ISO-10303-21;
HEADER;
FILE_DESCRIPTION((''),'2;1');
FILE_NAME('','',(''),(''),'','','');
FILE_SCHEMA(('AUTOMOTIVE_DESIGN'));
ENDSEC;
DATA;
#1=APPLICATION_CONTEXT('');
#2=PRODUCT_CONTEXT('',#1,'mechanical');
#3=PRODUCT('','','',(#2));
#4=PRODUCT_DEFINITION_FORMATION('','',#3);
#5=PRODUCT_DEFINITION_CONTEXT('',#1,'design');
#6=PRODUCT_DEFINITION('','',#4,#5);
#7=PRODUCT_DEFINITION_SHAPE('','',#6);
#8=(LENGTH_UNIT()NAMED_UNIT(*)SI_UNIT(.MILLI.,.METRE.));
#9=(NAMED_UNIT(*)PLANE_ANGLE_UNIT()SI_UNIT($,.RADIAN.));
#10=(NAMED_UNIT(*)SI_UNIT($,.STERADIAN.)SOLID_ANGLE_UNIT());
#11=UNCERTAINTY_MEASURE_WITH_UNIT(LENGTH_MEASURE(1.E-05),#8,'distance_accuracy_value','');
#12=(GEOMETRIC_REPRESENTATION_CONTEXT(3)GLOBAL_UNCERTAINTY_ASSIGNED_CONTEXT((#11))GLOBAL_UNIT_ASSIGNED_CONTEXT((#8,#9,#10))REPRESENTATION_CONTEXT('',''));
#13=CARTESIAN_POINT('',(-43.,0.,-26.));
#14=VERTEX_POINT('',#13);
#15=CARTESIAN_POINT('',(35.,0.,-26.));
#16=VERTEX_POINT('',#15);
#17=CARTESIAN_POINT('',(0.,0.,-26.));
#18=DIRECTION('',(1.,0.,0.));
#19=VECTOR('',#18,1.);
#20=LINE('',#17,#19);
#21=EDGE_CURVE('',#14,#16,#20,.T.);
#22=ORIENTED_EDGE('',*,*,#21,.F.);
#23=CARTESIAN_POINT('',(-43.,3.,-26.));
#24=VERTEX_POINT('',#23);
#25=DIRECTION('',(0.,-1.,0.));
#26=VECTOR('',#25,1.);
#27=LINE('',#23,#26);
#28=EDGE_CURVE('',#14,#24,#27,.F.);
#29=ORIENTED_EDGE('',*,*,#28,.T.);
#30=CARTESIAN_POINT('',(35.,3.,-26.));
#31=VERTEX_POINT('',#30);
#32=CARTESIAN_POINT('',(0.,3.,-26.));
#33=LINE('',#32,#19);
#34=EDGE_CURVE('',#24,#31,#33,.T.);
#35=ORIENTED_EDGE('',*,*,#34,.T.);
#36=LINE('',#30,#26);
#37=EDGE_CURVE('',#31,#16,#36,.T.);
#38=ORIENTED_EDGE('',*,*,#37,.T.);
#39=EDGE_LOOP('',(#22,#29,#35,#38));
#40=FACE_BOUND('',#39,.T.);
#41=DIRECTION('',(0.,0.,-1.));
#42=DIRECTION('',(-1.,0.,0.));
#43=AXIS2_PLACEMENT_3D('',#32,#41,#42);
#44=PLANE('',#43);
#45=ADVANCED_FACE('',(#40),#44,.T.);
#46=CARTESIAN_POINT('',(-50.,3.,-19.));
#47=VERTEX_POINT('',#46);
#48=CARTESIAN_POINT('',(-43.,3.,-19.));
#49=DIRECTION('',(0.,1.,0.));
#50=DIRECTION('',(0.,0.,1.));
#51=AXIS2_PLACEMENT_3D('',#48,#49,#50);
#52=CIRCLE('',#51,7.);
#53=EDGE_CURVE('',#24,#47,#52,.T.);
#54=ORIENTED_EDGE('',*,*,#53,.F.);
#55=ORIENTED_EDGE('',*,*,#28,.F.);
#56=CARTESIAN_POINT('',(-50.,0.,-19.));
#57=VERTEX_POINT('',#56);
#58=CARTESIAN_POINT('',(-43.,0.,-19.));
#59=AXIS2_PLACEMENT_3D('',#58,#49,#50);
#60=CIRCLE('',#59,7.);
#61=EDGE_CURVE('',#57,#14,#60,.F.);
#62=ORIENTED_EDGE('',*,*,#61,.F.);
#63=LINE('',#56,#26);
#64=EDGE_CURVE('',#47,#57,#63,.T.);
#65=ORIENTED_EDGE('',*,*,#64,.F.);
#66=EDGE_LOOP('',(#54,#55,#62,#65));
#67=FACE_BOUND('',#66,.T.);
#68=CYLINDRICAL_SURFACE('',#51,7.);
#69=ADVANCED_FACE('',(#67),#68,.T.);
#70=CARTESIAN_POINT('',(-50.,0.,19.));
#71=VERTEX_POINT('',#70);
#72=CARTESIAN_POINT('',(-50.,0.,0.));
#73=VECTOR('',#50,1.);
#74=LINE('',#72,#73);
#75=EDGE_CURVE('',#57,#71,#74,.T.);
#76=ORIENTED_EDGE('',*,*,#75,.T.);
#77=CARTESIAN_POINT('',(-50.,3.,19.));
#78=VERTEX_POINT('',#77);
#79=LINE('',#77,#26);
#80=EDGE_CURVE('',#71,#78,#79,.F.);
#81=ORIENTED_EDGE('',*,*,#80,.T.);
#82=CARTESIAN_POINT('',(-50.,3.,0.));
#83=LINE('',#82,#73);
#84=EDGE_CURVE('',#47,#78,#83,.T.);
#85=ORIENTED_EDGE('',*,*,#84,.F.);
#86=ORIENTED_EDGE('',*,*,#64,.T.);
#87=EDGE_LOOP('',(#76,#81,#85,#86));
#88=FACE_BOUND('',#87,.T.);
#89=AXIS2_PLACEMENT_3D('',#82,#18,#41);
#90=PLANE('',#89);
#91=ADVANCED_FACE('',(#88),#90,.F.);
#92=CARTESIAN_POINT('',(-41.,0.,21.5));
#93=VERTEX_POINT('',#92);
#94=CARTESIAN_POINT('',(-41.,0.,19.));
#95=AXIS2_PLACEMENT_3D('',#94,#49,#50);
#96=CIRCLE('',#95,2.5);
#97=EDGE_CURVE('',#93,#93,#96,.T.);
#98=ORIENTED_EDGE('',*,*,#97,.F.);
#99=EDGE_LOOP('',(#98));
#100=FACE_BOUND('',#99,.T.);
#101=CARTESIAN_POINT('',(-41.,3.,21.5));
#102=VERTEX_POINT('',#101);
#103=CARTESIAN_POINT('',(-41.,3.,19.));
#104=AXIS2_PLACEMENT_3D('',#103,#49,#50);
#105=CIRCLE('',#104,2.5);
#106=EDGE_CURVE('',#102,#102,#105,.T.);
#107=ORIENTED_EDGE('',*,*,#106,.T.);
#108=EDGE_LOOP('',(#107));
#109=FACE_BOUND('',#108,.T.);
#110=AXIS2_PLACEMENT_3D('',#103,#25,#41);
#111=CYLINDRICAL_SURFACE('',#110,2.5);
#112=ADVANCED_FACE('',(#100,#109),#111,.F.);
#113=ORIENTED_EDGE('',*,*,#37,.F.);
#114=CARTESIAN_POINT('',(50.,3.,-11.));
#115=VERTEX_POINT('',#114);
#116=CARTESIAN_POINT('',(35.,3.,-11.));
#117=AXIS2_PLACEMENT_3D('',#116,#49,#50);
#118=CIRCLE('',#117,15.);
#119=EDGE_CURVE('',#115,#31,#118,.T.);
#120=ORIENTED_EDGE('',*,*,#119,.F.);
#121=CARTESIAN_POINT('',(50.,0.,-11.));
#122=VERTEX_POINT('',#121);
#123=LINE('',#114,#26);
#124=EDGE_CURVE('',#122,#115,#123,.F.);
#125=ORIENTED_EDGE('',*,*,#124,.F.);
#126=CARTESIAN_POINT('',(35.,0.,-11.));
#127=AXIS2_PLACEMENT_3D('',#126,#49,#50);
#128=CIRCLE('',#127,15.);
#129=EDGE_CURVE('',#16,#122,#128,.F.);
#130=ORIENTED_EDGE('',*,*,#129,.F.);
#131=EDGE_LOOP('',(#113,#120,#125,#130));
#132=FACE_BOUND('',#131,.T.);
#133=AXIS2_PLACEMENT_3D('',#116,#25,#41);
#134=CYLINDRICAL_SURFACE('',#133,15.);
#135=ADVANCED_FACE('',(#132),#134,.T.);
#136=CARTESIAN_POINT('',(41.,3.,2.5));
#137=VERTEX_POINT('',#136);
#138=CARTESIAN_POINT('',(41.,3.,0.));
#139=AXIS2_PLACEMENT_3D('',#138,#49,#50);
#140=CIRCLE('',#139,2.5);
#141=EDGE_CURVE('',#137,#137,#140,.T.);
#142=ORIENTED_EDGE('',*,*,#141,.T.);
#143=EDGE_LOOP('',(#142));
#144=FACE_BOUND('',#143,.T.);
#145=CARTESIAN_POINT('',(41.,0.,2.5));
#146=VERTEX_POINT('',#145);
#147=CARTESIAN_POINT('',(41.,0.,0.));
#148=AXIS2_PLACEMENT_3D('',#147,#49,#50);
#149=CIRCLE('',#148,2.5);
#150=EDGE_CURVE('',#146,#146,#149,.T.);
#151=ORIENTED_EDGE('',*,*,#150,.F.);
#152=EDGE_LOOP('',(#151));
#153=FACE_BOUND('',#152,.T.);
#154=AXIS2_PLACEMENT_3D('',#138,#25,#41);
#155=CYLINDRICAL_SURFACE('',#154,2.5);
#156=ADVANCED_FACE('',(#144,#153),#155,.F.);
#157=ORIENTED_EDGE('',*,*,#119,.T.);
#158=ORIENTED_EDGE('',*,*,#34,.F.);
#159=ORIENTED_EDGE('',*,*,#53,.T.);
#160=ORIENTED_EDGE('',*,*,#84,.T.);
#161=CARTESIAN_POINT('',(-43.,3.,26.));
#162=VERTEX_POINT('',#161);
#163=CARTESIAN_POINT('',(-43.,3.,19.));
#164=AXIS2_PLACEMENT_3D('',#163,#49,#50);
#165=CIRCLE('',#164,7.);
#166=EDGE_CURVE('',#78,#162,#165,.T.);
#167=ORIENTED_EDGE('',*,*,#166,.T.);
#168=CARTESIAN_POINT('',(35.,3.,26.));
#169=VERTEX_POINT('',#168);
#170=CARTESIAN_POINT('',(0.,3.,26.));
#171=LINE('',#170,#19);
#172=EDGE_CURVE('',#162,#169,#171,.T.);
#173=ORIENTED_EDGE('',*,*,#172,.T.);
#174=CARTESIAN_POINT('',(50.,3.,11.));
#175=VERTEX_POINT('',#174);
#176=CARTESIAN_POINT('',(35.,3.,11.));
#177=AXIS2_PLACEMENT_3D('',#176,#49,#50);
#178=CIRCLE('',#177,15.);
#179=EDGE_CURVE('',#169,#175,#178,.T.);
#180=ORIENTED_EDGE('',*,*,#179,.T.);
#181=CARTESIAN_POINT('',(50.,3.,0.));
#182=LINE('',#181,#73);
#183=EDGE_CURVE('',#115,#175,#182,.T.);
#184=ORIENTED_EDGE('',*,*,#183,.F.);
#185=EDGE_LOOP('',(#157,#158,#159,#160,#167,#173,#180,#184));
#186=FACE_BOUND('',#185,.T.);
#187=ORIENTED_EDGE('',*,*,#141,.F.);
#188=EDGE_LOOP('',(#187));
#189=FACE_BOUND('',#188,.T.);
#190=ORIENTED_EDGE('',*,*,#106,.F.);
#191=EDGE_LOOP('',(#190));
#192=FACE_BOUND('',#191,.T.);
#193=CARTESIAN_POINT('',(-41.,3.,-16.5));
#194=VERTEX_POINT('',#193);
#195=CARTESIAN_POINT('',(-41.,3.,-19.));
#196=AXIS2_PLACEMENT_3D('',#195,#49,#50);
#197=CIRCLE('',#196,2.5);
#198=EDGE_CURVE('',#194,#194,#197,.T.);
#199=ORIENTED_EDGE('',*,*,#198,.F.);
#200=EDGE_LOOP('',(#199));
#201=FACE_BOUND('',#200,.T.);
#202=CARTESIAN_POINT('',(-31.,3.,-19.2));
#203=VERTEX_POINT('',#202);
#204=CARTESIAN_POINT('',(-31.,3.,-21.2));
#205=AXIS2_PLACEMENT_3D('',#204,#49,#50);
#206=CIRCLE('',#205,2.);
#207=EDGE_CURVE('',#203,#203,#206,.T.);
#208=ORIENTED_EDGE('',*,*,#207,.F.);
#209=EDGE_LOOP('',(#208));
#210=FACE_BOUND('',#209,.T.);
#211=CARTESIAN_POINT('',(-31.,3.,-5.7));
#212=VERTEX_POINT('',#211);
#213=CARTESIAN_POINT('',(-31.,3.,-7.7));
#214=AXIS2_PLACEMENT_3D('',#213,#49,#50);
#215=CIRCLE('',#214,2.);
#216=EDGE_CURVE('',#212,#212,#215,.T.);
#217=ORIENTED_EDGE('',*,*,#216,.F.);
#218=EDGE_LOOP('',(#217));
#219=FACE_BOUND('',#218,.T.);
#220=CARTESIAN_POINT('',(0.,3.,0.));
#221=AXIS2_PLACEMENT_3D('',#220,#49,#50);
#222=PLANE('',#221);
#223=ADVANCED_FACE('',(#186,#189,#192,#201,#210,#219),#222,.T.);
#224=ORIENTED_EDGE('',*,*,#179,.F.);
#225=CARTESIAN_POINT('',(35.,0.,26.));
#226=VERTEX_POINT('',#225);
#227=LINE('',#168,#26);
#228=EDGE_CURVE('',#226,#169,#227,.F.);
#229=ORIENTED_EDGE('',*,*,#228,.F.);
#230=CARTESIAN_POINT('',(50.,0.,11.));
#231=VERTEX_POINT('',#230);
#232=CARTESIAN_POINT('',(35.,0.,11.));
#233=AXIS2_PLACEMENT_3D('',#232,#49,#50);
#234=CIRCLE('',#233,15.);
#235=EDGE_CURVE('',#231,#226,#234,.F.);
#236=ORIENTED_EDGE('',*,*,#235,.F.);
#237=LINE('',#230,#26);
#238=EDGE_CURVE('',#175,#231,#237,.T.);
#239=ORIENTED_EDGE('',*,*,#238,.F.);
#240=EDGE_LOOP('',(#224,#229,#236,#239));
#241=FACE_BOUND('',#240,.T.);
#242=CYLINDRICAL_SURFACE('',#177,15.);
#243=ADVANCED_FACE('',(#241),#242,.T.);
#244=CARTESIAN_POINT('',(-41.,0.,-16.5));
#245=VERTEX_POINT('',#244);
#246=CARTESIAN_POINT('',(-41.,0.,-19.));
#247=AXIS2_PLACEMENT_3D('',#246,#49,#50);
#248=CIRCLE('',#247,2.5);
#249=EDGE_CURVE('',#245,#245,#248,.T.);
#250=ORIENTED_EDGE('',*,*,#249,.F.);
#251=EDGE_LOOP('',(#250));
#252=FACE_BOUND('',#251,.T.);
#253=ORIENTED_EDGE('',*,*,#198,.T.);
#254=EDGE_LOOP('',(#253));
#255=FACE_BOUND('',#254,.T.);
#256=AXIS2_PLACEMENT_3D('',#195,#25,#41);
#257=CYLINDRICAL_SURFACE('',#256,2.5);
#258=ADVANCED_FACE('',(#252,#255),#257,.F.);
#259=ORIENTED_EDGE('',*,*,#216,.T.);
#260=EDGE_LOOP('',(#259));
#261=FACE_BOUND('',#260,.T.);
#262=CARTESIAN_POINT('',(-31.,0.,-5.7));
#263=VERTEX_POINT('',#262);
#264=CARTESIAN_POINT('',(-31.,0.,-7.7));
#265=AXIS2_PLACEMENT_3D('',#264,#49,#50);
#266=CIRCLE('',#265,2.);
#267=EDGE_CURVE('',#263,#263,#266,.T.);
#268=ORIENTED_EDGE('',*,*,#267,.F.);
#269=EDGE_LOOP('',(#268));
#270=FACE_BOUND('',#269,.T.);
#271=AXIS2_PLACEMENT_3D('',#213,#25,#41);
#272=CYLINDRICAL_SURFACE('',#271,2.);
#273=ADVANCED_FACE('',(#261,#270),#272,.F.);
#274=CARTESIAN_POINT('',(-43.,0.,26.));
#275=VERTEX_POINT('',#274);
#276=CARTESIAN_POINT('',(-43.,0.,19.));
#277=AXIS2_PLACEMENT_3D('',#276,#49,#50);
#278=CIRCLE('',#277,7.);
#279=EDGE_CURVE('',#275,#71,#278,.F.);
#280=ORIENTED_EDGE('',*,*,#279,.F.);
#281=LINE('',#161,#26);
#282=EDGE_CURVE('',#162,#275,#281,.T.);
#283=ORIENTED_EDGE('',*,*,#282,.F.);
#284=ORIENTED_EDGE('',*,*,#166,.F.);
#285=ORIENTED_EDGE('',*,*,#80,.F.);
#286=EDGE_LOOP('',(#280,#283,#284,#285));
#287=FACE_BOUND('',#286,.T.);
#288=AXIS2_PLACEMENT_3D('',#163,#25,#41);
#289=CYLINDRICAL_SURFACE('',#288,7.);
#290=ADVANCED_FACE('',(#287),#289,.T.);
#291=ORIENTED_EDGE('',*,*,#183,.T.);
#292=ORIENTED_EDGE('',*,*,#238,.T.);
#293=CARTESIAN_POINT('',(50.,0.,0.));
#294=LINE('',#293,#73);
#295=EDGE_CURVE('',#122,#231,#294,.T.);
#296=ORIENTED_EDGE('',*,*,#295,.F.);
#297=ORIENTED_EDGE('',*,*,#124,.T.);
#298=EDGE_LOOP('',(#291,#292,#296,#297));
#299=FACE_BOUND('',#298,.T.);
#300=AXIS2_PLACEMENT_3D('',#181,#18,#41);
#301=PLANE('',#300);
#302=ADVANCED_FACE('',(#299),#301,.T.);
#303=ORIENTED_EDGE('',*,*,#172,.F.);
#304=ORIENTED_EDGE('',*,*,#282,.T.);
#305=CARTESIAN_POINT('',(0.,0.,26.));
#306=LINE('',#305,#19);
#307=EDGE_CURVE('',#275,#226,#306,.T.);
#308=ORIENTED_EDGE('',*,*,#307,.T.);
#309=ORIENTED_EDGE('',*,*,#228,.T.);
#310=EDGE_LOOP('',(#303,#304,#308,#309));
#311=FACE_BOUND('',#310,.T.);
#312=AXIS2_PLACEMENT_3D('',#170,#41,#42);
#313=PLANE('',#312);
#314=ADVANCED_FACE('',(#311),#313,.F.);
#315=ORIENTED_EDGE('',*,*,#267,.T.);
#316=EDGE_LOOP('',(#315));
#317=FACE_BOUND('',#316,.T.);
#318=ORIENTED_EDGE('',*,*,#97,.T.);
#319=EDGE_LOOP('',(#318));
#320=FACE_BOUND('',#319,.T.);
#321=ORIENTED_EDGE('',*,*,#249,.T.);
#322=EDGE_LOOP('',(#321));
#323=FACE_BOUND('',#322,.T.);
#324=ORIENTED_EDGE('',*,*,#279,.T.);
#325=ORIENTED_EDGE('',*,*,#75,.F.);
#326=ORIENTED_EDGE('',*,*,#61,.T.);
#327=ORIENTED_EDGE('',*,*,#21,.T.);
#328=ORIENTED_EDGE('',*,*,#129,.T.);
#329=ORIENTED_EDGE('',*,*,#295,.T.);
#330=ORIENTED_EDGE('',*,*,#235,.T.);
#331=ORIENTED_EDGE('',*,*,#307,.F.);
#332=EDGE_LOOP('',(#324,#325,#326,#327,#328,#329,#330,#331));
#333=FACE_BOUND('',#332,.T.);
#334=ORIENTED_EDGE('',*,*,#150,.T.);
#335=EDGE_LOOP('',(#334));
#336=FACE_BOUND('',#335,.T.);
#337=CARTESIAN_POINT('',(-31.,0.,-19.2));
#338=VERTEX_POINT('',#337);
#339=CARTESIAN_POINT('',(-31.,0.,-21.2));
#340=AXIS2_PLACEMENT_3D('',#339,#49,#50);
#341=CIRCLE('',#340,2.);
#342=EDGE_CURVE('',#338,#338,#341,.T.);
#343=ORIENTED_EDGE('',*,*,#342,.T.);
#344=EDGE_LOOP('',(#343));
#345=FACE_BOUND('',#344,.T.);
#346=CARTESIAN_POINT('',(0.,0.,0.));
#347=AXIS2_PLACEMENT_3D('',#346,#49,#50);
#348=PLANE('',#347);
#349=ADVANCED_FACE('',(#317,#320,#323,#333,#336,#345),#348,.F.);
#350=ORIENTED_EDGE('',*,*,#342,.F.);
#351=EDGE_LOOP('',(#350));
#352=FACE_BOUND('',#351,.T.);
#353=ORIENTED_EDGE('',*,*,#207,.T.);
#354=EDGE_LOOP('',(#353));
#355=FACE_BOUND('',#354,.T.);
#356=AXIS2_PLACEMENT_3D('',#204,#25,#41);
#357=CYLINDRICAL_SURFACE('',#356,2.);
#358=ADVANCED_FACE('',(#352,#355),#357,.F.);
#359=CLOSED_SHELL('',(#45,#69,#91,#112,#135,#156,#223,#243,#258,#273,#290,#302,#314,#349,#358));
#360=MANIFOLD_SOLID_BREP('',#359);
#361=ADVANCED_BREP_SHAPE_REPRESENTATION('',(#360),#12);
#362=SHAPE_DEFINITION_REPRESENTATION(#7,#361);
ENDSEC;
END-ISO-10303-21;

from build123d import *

# Parameters (mm, degrees)
SKETCH1_W           = 100
SKETCH1_H           = 52
SKETCH1_R           = 2.5
SKETCH1_R_2         = 2
BOSS_EXTRUDE1_DEPTH = 3
FILLET1_R           = 15
FILLET2_R           = 7


with BuildPart() as part:
    # Sketch1 → Boss-Extrude1 (new body)
    with BuildSketch(Plane(origin=(0, 0, 0), x_dir=(1, 0, 0), z_dir=(0, 1, 0))):
        Rectangle(SKETCH1_W, SKETCH1_H)
        with Locations((41, 0)):
            Circle(SKETCH1_R, mode=Mode.SUBTRACT)
        with Locations((-41, 19)):
            Circle(SKETCH1_R, mode=Mode.SUBTRACT)
        with Locations((-41, -19)):
            Circle(SKETCH1_R, mode=Mode.SUBTRACT)
        with Locations((-31, 21.2)):
            Circle(SKETCH1_R_2, mode=Mode.SUBTRACT)
        with Locations((-31, 7.7)):
            Circle(SKETCH1_R_2, mode=Mode.SUBTRACT)
    extrude(amount=BOSS_EXTRUDE1_DEPTH)

    # Fillet1
    fillet1_edges = [part.edges().sort_by_distance(p)[0] for p in [
        (50, 1.5, 26),
        (50, 1.5, -26),
    ]]
    fillet(fillet1_edges, radius=FILLET1_R)

    # Fillet2
    fillet2_edges = [part.edges().sort_by_distance(p)[0] for p in [
        (-50, 1.5, 26),
        (-50, 1.5, -26),
    ]]
    fillet(fillet2_edges, radius=FILLET2_R)


solid = part.part
